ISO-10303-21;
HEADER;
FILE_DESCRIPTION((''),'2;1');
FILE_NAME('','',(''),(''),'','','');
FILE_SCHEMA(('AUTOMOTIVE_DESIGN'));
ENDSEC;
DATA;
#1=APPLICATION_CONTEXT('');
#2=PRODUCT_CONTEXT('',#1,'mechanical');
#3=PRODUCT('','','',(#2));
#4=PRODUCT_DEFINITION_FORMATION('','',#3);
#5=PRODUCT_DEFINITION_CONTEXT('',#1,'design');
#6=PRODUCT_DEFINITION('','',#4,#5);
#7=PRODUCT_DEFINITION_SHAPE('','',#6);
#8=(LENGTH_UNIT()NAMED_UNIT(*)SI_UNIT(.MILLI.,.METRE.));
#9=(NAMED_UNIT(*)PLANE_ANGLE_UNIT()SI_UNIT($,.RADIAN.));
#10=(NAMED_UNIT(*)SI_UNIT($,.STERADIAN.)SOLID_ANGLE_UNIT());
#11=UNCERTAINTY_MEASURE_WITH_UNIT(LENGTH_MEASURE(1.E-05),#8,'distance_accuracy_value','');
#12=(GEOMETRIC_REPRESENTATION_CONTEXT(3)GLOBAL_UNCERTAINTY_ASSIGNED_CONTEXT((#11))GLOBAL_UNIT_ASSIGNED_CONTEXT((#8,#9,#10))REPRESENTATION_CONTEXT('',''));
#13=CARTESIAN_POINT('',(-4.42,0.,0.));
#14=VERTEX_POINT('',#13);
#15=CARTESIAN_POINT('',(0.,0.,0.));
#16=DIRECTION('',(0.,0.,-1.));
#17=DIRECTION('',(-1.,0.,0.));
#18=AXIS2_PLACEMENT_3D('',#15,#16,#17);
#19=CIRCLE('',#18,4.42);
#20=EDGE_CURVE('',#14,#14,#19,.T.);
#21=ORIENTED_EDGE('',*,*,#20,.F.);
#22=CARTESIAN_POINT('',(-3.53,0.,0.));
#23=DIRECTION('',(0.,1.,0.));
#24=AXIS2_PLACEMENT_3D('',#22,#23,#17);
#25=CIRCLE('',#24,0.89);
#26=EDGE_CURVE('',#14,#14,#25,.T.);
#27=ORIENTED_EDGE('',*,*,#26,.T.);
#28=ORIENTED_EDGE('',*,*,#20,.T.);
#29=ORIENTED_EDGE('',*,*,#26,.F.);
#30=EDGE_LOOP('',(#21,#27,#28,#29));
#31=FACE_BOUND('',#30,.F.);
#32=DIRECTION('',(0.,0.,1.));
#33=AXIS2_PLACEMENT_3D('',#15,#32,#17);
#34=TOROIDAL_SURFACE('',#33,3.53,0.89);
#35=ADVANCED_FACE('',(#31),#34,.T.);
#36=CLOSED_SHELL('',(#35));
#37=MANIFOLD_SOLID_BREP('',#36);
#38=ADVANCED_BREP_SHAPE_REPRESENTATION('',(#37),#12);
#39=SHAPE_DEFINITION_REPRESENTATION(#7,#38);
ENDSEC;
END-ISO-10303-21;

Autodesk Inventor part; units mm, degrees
ref_plane "YZ Plane" through (0, 0, 0) normal (1, 0, 0) x (0, 1, 0)
ref_plane "XZ Plane" through (0, 0, 0) normal (0, 1, 0) x (-1, 0, 0)
ref_plane "XY Plane" through (0, 0, 0) normal (0, 0, 1) x (1, 0, 0)
sketch "Sketch1" plane through (0, 0, 0) normal (0, 1, 0) x (-1, 0, 0)
  circle A0 centre (0, 0) radius 3.53 construction
  circle A1 centre (3.53, 0) radius 0.89
  line L0 (0, 5.0651) -> (0, -6.5466) construction
  line L1 (5.5656, 0) -> (-4.0445, 0) construction
  dimension "d0" = 7.06
  dimension "d1" = 1.78
revolve "Revolution1" add sketch "Sketch1" angle 360 about axis through (0, 0, 5.0651) along (0, 0, -1)
properties part number "RS 527-9778 Si-O-Ring 5-28ID 1-79 THK 11-32INCH OD"
